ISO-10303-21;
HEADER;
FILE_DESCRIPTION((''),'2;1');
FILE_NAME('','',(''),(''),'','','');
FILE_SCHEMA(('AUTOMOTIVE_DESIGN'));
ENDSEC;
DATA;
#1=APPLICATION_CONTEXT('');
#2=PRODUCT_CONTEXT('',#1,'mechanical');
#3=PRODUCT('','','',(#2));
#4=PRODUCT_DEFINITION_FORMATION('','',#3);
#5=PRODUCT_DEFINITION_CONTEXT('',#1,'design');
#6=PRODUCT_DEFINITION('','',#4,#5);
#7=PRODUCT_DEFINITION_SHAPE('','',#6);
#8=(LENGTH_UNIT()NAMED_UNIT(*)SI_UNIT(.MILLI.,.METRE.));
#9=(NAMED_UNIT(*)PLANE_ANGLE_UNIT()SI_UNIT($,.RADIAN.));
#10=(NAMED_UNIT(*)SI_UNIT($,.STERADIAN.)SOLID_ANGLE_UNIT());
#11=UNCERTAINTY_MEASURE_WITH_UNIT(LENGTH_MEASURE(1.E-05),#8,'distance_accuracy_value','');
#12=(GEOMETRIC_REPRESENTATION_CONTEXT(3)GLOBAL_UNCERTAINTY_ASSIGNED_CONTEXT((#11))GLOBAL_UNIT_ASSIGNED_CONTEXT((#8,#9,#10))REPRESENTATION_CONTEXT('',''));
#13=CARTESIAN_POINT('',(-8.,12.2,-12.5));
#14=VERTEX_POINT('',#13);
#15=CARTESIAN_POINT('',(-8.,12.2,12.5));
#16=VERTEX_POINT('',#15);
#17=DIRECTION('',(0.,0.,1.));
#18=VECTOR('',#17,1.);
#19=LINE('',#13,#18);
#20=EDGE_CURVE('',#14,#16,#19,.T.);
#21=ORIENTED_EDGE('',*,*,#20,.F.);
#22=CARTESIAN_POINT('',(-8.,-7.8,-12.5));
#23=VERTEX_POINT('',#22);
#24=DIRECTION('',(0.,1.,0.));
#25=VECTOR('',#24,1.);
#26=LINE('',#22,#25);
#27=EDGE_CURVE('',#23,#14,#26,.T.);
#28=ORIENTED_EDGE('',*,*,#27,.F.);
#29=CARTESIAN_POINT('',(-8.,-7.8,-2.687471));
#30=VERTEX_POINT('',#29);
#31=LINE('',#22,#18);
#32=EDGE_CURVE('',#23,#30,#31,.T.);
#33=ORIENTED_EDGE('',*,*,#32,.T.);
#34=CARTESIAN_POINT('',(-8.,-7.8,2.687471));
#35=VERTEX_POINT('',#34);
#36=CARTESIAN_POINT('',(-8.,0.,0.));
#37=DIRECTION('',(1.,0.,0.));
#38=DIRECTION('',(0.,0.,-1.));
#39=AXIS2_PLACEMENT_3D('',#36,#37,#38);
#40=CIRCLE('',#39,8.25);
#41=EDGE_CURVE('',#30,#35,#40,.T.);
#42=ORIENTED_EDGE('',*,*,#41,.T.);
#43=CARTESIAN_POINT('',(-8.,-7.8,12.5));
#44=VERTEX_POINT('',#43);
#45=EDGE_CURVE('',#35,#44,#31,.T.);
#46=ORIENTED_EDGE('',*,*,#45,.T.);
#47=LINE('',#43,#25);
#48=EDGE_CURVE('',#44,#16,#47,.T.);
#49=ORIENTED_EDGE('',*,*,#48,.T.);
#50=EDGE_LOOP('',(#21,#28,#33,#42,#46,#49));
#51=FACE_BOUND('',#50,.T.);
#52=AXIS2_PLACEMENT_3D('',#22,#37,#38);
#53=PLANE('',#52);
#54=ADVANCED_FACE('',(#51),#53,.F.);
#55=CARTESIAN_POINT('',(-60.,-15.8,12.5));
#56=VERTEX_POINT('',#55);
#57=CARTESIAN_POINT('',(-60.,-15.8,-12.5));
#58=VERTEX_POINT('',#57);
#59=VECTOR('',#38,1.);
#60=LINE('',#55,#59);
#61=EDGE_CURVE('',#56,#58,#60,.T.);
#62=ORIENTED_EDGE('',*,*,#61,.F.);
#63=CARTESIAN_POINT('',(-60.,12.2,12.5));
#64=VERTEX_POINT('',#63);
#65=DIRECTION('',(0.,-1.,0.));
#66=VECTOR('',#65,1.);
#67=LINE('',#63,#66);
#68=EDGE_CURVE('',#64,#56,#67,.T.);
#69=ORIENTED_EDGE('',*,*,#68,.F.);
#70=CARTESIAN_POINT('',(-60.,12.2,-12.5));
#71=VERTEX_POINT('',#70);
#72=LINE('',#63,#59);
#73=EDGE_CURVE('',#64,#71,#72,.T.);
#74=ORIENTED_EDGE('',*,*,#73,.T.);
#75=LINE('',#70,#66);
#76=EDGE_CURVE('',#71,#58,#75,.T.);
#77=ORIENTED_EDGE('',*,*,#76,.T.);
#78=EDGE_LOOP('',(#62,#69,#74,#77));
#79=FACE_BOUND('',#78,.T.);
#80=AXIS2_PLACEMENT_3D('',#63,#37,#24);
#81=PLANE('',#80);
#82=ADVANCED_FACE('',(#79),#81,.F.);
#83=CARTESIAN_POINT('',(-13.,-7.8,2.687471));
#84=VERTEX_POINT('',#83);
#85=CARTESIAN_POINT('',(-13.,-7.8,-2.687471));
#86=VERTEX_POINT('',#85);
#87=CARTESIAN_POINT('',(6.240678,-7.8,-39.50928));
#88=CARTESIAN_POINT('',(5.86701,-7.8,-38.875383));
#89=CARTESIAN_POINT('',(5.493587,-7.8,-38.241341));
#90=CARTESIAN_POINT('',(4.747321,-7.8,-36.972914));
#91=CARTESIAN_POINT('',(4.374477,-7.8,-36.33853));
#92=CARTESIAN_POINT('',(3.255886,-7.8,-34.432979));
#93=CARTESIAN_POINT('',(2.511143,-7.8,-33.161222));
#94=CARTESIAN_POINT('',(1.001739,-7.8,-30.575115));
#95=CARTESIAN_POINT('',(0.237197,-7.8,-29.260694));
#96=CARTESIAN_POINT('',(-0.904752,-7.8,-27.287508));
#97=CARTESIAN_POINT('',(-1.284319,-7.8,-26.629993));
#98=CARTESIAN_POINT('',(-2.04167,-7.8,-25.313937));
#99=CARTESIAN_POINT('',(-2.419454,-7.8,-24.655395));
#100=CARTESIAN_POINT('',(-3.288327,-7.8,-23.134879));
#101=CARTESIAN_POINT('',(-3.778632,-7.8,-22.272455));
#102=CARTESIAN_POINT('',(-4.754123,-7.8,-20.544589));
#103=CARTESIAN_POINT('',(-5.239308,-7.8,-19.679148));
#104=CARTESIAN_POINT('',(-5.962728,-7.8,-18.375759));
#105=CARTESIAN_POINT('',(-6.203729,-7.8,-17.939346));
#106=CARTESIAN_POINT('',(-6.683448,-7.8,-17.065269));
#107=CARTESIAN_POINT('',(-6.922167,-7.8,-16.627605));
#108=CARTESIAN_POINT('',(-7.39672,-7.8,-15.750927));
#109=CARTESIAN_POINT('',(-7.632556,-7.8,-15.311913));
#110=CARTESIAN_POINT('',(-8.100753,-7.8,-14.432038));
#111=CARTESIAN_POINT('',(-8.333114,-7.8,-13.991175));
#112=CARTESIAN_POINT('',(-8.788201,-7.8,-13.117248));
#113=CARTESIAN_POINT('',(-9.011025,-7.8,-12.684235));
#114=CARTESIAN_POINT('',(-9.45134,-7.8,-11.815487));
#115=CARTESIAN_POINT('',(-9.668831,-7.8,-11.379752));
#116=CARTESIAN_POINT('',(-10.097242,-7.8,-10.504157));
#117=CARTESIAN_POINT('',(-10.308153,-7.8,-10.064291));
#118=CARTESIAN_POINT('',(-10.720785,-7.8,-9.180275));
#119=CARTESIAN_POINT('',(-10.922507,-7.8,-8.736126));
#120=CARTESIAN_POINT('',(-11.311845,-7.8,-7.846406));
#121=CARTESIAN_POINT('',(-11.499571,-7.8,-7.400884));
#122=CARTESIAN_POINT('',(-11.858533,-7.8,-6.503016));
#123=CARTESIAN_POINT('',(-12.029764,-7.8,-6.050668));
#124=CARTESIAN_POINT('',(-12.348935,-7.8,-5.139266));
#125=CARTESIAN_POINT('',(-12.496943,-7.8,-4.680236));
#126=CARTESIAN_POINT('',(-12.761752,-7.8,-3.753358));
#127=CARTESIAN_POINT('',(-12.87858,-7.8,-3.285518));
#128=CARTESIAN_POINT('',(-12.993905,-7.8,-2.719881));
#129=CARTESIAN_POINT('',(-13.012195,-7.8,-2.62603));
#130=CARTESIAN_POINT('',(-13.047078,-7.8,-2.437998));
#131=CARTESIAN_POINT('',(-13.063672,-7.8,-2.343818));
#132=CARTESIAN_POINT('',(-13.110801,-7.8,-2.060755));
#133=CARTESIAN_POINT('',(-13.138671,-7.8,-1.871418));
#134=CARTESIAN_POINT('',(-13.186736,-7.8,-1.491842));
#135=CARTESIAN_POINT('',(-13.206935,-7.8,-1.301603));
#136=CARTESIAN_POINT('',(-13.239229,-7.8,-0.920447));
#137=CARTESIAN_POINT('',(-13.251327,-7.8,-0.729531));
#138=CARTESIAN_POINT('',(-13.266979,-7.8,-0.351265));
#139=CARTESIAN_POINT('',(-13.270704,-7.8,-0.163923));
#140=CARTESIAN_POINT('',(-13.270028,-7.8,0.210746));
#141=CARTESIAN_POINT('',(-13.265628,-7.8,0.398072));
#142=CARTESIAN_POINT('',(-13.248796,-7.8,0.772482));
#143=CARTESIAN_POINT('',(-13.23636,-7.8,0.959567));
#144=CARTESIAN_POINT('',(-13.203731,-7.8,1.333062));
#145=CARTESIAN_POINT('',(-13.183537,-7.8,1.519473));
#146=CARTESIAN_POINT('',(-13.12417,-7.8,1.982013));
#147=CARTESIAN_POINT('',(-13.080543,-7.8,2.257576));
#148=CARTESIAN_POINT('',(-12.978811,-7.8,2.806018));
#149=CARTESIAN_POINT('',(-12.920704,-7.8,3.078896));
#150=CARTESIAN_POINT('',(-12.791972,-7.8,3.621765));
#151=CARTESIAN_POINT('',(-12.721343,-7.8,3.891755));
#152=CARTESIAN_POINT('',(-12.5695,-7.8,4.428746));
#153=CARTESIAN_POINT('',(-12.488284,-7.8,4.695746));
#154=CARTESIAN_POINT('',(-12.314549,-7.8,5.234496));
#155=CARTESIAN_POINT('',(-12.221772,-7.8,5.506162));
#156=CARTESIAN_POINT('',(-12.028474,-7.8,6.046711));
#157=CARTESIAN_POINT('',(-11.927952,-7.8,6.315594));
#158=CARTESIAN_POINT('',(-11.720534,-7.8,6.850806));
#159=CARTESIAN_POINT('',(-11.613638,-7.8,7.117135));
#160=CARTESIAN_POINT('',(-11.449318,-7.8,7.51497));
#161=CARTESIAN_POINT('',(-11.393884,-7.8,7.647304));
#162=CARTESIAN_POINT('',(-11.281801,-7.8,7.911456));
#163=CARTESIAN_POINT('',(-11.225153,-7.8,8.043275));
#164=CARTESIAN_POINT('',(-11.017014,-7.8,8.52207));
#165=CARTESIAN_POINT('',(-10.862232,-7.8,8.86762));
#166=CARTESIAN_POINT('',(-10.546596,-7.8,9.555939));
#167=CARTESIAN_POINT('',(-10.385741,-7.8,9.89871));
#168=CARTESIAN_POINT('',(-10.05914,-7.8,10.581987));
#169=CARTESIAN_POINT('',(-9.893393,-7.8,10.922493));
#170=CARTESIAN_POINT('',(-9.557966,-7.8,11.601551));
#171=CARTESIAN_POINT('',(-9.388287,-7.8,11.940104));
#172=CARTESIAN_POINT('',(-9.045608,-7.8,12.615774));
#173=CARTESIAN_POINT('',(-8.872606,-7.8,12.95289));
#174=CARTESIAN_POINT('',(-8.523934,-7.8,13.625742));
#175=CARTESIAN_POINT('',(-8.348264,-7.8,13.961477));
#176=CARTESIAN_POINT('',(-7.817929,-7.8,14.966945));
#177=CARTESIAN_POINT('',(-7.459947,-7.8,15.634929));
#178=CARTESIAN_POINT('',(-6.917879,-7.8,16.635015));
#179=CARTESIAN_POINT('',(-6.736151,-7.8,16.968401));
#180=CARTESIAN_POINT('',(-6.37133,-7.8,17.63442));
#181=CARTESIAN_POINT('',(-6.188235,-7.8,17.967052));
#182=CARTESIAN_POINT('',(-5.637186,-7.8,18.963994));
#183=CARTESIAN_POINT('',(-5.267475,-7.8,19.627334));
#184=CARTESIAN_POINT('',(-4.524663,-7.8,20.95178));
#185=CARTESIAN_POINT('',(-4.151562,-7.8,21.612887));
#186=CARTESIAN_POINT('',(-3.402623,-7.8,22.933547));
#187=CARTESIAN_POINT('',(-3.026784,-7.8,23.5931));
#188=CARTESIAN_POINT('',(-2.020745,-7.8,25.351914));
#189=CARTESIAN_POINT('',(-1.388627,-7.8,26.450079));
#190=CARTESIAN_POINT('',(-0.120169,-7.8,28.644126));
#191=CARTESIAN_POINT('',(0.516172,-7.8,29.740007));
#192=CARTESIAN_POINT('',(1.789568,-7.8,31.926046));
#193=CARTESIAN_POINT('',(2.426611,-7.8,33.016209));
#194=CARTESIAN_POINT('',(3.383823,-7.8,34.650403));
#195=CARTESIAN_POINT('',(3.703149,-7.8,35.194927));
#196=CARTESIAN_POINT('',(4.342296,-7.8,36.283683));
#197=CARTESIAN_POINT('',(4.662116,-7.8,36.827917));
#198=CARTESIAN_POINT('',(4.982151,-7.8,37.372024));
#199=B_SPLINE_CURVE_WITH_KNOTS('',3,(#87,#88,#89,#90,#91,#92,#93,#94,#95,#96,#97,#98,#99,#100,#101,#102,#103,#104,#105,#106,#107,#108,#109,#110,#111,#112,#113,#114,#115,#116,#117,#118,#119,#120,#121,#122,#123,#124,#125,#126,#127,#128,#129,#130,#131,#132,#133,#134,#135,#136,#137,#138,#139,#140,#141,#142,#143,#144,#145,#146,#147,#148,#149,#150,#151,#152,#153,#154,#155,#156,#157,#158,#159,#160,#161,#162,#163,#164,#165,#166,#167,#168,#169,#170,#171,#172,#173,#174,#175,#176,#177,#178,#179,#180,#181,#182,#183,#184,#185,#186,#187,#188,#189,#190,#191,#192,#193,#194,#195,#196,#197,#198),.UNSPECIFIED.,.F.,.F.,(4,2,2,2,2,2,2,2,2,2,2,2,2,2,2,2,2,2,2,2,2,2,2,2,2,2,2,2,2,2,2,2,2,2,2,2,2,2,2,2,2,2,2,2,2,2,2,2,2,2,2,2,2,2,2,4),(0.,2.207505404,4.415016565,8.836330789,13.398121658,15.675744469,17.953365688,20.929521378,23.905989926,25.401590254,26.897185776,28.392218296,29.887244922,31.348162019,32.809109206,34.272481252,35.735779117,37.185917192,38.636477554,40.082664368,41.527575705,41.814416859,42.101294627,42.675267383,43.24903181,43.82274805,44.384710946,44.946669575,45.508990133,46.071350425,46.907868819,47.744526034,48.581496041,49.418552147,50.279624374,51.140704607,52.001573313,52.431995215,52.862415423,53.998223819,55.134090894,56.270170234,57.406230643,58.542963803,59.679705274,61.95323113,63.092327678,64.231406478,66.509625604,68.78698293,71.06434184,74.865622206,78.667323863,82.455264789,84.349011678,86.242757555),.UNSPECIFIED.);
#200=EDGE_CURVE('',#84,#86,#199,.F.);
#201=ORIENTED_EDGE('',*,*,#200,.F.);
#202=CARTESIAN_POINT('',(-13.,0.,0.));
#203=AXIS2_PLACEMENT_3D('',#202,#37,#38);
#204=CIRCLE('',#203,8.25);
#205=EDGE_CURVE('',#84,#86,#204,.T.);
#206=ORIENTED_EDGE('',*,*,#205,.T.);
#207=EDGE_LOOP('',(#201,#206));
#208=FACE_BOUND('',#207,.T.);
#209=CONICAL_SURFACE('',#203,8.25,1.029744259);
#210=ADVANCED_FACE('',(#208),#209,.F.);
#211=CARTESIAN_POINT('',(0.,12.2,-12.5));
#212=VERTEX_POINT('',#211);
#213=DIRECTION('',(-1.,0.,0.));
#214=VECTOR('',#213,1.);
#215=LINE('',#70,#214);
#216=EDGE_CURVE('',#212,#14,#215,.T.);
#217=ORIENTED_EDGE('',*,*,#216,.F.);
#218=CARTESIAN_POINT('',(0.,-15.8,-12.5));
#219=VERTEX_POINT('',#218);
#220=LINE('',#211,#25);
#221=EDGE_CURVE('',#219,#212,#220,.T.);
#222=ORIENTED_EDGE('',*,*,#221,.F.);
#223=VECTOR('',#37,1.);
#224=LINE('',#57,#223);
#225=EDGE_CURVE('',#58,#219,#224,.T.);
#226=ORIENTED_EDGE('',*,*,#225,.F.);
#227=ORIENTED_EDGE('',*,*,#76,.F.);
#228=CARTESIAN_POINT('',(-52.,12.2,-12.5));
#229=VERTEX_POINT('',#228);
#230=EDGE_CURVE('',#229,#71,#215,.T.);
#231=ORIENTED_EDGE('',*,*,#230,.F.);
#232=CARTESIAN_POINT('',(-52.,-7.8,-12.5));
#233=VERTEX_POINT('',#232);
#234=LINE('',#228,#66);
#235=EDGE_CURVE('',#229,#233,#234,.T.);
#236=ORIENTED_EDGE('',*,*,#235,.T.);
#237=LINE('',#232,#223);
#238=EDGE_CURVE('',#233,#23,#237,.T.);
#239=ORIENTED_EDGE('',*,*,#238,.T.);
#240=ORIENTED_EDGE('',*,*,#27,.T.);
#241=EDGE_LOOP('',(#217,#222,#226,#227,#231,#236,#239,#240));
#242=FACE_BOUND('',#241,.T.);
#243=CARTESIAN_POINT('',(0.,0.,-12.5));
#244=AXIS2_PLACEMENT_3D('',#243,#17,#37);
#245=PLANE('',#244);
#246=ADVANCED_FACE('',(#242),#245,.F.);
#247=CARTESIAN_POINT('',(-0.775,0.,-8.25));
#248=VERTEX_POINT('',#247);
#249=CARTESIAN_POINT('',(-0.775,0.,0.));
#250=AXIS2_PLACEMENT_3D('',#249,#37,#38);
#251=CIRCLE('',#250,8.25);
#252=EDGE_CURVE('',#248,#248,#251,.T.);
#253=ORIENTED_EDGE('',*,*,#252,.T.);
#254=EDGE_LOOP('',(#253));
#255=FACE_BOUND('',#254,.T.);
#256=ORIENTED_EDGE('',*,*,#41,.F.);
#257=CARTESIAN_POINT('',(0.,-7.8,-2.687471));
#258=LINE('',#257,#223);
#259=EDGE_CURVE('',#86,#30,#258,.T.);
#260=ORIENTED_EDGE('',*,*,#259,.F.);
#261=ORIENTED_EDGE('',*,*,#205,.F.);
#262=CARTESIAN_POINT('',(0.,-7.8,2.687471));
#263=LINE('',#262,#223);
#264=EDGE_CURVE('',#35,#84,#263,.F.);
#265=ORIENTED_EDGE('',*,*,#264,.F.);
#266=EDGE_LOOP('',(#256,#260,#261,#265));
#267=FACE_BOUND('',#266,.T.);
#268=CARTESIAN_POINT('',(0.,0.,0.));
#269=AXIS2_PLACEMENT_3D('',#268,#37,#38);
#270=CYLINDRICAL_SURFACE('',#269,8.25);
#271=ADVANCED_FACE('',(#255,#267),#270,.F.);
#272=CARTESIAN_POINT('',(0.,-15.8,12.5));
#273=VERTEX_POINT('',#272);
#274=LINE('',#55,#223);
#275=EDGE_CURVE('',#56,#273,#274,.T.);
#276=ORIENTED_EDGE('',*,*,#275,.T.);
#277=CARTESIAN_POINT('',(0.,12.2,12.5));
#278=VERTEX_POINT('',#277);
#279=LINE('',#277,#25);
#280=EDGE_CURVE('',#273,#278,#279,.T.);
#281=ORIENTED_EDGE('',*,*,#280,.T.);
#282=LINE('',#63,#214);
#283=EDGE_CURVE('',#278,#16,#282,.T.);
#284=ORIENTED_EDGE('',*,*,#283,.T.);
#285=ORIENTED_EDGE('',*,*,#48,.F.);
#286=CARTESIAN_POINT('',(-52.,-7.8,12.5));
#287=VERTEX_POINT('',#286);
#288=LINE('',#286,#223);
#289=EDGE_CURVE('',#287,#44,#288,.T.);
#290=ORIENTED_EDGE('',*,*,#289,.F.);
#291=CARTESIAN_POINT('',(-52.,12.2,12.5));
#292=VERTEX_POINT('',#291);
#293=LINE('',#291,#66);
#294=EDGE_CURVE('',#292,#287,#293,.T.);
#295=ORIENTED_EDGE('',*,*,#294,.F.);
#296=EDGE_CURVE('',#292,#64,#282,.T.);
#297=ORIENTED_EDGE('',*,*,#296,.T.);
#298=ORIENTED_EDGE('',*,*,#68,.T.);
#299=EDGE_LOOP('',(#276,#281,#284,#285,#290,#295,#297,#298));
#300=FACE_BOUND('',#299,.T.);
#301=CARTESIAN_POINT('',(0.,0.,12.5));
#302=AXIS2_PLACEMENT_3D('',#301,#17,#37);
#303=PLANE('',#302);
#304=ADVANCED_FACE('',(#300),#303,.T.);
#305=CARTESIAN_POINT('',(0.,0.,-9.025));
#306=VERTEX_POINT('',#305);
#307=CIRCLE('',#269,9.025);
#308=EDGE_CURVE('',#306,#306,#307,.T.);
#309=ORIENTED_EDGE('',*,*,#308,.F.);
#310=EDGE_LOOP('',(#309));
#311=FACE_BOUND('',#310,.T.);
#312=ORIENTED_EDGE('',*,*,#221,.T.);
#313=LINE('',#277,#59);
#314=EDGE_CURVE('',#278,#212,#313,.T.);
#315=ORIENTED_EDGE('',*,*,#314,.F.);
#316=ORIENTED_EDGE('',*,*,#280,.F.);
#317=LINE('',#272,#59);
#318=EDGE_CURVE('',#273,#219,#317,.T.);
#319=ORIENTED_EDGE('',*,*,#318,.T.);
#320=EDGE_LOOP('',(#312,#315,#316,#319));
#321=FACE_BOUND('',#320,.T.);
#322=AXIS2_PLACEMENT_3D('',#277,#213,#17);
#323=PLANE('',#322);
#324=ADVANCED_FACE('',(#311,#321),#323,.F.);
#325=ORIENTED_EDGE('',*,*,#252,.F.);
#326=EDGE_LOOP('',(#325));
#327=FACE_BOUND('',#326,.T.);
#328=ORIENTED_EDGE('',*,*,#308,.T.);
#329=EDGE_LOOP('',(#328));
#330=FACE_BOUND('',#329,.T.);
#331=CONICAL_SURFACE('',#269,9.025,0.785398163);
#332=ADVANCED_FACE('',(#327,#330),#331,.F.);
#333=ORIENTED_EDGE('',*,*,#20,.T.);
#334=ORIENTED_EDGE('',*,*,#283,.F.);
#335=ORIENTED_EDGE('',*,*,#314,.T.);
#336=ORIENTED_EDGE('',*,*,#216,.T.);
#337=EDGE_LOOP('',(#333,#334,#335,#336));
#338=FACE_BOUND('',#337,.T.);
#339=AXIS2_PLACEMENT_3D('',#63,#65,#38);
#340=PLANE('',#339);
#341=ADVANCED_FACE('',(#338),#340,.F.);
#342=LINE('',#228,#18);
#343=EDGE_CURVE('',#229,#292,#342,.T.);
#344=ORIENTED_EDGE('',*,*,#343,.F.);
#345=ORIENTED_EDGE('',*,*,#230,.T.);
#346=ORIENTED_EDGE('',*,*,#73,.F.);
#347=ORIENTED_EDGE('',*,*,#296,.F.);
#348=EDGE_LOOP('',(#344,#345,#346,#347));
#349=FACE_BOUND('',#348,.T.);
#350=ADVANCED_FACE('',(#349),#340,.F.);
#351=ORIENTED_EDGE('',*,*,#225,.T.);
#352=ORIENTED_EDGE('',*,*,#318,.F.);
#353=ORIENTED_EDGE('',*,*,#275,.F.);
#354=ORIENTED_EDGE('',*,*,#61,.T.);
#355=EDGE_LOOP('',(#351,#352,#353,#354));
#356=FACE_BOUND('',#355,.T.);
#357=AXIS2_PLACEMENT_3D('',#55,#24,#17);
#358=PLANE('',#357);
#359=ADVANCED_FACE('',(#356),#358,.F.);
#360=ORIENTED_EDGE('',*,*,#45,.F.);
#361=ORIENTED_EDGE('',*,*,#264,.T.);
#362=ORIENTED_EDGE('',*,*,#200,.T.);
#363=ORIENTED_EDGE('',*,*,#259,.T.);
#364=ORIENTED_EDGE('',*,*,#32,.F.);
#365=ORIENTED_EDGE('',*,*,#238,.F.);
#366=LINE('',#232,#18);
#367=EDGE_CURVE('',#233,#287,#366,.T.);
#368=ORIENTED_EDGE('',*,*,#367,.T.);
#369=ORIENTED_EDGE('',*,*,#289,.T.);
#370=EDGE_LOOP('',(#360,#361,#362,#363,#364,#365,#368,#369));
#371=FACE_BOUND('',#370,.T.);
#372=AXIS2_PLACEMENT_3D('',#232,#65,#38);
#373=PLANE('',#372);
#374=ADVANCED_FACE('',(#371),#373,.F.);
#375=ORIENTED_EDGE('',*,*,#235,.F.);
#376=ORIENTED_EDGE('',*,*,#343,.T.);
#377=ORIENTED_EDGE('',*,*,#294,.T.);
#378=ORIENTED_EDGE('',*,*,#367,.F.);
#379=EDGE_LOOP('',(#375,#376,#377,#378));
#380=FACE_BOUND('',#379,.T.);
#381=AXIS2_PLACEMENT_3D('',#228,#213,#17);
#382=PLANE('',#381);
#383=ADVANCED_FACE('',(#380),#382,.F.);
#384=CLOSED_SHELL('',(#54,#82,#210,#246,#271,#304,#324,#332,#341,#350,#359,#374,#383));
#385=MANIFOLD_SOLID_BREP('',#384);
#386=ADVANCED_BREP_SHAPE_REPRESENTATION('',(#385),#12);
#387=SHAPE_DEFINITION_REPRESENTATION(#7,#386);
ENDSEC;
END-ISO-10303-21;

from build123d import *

# Parameters (mm, degrees)
SKETCH_1_W               = 60
SKETCH_1_H               = 28
EXTRUDE_1_DEPTH          = 12.5
CUT_EXTRUDE_1_DEPTH      = 64.292100613
CUT_EXTRUDE_1_DEPTH_BACK = 64.292100613
SKETCH_2_W               = 44
SKETCH_2_H               = 20
M18X1_51_D               = 16.5
M18X1_51_DEPTH           = 13
M18X1_51_CSINK_D         = 18.05
M18X1_51_CSINK_ANGLE     = 90
M18X1_51_TIP             = 4.957100107


with BuildPart() as part:
    # Эскиз1 → Бобышка-Вытянуть1 (new, symmetric)
    with BuildSketch(Plane.XY):
        with Locations((-30, -1.8)):
            Rectangle(SKETCH_1_W, SKETCH_1_H)
    extrude(amount=EXTRUDE_1_DEPTH, both=True)

    # Эскиз2 → Вырез-Вытянуть1 (cut, two sides: drawn at the far end of the back side and taken through both)
    with BuildSketch(Plane.XY.offset(-CUT_EXTRUDE_1_DEPTH_BACK)):
        with Locations((-30, 2.2)):
            Rectangle(SKETCH_2_W, SKETCH_2_H)
    extrude(amount=CUT_EXTRUDE_1_DEPTH + CUT_EXTRUDE_1_DEPTH_BACK, mode=Mode.SUBTRACT)

    # Отверстие обработанное метчиком M18x1.51
    with Locations(Plane(origin=(0, 0, 0), x_dir=(0, 0, -1), z_dir=(1, 0, 0))):
        with Locations((0, 0)):
            CounterSinkHole(M18X1_51_D / 2, M18X1_51_CSINK_D / 2, depth=M18X1_51_DEPTH, counter_sink_angle=M18X1_51_CSINK_ANGLE)
            with Locations((0, 0, -(M18X1_51_DEPTH + M18X1_51_TIP / 2))):  # 118° drill point
                Cone(0, M18X1_51_D / 2, M18X1_51_TIP, mode=Mode.SUBTRACT)


solid = part.part
